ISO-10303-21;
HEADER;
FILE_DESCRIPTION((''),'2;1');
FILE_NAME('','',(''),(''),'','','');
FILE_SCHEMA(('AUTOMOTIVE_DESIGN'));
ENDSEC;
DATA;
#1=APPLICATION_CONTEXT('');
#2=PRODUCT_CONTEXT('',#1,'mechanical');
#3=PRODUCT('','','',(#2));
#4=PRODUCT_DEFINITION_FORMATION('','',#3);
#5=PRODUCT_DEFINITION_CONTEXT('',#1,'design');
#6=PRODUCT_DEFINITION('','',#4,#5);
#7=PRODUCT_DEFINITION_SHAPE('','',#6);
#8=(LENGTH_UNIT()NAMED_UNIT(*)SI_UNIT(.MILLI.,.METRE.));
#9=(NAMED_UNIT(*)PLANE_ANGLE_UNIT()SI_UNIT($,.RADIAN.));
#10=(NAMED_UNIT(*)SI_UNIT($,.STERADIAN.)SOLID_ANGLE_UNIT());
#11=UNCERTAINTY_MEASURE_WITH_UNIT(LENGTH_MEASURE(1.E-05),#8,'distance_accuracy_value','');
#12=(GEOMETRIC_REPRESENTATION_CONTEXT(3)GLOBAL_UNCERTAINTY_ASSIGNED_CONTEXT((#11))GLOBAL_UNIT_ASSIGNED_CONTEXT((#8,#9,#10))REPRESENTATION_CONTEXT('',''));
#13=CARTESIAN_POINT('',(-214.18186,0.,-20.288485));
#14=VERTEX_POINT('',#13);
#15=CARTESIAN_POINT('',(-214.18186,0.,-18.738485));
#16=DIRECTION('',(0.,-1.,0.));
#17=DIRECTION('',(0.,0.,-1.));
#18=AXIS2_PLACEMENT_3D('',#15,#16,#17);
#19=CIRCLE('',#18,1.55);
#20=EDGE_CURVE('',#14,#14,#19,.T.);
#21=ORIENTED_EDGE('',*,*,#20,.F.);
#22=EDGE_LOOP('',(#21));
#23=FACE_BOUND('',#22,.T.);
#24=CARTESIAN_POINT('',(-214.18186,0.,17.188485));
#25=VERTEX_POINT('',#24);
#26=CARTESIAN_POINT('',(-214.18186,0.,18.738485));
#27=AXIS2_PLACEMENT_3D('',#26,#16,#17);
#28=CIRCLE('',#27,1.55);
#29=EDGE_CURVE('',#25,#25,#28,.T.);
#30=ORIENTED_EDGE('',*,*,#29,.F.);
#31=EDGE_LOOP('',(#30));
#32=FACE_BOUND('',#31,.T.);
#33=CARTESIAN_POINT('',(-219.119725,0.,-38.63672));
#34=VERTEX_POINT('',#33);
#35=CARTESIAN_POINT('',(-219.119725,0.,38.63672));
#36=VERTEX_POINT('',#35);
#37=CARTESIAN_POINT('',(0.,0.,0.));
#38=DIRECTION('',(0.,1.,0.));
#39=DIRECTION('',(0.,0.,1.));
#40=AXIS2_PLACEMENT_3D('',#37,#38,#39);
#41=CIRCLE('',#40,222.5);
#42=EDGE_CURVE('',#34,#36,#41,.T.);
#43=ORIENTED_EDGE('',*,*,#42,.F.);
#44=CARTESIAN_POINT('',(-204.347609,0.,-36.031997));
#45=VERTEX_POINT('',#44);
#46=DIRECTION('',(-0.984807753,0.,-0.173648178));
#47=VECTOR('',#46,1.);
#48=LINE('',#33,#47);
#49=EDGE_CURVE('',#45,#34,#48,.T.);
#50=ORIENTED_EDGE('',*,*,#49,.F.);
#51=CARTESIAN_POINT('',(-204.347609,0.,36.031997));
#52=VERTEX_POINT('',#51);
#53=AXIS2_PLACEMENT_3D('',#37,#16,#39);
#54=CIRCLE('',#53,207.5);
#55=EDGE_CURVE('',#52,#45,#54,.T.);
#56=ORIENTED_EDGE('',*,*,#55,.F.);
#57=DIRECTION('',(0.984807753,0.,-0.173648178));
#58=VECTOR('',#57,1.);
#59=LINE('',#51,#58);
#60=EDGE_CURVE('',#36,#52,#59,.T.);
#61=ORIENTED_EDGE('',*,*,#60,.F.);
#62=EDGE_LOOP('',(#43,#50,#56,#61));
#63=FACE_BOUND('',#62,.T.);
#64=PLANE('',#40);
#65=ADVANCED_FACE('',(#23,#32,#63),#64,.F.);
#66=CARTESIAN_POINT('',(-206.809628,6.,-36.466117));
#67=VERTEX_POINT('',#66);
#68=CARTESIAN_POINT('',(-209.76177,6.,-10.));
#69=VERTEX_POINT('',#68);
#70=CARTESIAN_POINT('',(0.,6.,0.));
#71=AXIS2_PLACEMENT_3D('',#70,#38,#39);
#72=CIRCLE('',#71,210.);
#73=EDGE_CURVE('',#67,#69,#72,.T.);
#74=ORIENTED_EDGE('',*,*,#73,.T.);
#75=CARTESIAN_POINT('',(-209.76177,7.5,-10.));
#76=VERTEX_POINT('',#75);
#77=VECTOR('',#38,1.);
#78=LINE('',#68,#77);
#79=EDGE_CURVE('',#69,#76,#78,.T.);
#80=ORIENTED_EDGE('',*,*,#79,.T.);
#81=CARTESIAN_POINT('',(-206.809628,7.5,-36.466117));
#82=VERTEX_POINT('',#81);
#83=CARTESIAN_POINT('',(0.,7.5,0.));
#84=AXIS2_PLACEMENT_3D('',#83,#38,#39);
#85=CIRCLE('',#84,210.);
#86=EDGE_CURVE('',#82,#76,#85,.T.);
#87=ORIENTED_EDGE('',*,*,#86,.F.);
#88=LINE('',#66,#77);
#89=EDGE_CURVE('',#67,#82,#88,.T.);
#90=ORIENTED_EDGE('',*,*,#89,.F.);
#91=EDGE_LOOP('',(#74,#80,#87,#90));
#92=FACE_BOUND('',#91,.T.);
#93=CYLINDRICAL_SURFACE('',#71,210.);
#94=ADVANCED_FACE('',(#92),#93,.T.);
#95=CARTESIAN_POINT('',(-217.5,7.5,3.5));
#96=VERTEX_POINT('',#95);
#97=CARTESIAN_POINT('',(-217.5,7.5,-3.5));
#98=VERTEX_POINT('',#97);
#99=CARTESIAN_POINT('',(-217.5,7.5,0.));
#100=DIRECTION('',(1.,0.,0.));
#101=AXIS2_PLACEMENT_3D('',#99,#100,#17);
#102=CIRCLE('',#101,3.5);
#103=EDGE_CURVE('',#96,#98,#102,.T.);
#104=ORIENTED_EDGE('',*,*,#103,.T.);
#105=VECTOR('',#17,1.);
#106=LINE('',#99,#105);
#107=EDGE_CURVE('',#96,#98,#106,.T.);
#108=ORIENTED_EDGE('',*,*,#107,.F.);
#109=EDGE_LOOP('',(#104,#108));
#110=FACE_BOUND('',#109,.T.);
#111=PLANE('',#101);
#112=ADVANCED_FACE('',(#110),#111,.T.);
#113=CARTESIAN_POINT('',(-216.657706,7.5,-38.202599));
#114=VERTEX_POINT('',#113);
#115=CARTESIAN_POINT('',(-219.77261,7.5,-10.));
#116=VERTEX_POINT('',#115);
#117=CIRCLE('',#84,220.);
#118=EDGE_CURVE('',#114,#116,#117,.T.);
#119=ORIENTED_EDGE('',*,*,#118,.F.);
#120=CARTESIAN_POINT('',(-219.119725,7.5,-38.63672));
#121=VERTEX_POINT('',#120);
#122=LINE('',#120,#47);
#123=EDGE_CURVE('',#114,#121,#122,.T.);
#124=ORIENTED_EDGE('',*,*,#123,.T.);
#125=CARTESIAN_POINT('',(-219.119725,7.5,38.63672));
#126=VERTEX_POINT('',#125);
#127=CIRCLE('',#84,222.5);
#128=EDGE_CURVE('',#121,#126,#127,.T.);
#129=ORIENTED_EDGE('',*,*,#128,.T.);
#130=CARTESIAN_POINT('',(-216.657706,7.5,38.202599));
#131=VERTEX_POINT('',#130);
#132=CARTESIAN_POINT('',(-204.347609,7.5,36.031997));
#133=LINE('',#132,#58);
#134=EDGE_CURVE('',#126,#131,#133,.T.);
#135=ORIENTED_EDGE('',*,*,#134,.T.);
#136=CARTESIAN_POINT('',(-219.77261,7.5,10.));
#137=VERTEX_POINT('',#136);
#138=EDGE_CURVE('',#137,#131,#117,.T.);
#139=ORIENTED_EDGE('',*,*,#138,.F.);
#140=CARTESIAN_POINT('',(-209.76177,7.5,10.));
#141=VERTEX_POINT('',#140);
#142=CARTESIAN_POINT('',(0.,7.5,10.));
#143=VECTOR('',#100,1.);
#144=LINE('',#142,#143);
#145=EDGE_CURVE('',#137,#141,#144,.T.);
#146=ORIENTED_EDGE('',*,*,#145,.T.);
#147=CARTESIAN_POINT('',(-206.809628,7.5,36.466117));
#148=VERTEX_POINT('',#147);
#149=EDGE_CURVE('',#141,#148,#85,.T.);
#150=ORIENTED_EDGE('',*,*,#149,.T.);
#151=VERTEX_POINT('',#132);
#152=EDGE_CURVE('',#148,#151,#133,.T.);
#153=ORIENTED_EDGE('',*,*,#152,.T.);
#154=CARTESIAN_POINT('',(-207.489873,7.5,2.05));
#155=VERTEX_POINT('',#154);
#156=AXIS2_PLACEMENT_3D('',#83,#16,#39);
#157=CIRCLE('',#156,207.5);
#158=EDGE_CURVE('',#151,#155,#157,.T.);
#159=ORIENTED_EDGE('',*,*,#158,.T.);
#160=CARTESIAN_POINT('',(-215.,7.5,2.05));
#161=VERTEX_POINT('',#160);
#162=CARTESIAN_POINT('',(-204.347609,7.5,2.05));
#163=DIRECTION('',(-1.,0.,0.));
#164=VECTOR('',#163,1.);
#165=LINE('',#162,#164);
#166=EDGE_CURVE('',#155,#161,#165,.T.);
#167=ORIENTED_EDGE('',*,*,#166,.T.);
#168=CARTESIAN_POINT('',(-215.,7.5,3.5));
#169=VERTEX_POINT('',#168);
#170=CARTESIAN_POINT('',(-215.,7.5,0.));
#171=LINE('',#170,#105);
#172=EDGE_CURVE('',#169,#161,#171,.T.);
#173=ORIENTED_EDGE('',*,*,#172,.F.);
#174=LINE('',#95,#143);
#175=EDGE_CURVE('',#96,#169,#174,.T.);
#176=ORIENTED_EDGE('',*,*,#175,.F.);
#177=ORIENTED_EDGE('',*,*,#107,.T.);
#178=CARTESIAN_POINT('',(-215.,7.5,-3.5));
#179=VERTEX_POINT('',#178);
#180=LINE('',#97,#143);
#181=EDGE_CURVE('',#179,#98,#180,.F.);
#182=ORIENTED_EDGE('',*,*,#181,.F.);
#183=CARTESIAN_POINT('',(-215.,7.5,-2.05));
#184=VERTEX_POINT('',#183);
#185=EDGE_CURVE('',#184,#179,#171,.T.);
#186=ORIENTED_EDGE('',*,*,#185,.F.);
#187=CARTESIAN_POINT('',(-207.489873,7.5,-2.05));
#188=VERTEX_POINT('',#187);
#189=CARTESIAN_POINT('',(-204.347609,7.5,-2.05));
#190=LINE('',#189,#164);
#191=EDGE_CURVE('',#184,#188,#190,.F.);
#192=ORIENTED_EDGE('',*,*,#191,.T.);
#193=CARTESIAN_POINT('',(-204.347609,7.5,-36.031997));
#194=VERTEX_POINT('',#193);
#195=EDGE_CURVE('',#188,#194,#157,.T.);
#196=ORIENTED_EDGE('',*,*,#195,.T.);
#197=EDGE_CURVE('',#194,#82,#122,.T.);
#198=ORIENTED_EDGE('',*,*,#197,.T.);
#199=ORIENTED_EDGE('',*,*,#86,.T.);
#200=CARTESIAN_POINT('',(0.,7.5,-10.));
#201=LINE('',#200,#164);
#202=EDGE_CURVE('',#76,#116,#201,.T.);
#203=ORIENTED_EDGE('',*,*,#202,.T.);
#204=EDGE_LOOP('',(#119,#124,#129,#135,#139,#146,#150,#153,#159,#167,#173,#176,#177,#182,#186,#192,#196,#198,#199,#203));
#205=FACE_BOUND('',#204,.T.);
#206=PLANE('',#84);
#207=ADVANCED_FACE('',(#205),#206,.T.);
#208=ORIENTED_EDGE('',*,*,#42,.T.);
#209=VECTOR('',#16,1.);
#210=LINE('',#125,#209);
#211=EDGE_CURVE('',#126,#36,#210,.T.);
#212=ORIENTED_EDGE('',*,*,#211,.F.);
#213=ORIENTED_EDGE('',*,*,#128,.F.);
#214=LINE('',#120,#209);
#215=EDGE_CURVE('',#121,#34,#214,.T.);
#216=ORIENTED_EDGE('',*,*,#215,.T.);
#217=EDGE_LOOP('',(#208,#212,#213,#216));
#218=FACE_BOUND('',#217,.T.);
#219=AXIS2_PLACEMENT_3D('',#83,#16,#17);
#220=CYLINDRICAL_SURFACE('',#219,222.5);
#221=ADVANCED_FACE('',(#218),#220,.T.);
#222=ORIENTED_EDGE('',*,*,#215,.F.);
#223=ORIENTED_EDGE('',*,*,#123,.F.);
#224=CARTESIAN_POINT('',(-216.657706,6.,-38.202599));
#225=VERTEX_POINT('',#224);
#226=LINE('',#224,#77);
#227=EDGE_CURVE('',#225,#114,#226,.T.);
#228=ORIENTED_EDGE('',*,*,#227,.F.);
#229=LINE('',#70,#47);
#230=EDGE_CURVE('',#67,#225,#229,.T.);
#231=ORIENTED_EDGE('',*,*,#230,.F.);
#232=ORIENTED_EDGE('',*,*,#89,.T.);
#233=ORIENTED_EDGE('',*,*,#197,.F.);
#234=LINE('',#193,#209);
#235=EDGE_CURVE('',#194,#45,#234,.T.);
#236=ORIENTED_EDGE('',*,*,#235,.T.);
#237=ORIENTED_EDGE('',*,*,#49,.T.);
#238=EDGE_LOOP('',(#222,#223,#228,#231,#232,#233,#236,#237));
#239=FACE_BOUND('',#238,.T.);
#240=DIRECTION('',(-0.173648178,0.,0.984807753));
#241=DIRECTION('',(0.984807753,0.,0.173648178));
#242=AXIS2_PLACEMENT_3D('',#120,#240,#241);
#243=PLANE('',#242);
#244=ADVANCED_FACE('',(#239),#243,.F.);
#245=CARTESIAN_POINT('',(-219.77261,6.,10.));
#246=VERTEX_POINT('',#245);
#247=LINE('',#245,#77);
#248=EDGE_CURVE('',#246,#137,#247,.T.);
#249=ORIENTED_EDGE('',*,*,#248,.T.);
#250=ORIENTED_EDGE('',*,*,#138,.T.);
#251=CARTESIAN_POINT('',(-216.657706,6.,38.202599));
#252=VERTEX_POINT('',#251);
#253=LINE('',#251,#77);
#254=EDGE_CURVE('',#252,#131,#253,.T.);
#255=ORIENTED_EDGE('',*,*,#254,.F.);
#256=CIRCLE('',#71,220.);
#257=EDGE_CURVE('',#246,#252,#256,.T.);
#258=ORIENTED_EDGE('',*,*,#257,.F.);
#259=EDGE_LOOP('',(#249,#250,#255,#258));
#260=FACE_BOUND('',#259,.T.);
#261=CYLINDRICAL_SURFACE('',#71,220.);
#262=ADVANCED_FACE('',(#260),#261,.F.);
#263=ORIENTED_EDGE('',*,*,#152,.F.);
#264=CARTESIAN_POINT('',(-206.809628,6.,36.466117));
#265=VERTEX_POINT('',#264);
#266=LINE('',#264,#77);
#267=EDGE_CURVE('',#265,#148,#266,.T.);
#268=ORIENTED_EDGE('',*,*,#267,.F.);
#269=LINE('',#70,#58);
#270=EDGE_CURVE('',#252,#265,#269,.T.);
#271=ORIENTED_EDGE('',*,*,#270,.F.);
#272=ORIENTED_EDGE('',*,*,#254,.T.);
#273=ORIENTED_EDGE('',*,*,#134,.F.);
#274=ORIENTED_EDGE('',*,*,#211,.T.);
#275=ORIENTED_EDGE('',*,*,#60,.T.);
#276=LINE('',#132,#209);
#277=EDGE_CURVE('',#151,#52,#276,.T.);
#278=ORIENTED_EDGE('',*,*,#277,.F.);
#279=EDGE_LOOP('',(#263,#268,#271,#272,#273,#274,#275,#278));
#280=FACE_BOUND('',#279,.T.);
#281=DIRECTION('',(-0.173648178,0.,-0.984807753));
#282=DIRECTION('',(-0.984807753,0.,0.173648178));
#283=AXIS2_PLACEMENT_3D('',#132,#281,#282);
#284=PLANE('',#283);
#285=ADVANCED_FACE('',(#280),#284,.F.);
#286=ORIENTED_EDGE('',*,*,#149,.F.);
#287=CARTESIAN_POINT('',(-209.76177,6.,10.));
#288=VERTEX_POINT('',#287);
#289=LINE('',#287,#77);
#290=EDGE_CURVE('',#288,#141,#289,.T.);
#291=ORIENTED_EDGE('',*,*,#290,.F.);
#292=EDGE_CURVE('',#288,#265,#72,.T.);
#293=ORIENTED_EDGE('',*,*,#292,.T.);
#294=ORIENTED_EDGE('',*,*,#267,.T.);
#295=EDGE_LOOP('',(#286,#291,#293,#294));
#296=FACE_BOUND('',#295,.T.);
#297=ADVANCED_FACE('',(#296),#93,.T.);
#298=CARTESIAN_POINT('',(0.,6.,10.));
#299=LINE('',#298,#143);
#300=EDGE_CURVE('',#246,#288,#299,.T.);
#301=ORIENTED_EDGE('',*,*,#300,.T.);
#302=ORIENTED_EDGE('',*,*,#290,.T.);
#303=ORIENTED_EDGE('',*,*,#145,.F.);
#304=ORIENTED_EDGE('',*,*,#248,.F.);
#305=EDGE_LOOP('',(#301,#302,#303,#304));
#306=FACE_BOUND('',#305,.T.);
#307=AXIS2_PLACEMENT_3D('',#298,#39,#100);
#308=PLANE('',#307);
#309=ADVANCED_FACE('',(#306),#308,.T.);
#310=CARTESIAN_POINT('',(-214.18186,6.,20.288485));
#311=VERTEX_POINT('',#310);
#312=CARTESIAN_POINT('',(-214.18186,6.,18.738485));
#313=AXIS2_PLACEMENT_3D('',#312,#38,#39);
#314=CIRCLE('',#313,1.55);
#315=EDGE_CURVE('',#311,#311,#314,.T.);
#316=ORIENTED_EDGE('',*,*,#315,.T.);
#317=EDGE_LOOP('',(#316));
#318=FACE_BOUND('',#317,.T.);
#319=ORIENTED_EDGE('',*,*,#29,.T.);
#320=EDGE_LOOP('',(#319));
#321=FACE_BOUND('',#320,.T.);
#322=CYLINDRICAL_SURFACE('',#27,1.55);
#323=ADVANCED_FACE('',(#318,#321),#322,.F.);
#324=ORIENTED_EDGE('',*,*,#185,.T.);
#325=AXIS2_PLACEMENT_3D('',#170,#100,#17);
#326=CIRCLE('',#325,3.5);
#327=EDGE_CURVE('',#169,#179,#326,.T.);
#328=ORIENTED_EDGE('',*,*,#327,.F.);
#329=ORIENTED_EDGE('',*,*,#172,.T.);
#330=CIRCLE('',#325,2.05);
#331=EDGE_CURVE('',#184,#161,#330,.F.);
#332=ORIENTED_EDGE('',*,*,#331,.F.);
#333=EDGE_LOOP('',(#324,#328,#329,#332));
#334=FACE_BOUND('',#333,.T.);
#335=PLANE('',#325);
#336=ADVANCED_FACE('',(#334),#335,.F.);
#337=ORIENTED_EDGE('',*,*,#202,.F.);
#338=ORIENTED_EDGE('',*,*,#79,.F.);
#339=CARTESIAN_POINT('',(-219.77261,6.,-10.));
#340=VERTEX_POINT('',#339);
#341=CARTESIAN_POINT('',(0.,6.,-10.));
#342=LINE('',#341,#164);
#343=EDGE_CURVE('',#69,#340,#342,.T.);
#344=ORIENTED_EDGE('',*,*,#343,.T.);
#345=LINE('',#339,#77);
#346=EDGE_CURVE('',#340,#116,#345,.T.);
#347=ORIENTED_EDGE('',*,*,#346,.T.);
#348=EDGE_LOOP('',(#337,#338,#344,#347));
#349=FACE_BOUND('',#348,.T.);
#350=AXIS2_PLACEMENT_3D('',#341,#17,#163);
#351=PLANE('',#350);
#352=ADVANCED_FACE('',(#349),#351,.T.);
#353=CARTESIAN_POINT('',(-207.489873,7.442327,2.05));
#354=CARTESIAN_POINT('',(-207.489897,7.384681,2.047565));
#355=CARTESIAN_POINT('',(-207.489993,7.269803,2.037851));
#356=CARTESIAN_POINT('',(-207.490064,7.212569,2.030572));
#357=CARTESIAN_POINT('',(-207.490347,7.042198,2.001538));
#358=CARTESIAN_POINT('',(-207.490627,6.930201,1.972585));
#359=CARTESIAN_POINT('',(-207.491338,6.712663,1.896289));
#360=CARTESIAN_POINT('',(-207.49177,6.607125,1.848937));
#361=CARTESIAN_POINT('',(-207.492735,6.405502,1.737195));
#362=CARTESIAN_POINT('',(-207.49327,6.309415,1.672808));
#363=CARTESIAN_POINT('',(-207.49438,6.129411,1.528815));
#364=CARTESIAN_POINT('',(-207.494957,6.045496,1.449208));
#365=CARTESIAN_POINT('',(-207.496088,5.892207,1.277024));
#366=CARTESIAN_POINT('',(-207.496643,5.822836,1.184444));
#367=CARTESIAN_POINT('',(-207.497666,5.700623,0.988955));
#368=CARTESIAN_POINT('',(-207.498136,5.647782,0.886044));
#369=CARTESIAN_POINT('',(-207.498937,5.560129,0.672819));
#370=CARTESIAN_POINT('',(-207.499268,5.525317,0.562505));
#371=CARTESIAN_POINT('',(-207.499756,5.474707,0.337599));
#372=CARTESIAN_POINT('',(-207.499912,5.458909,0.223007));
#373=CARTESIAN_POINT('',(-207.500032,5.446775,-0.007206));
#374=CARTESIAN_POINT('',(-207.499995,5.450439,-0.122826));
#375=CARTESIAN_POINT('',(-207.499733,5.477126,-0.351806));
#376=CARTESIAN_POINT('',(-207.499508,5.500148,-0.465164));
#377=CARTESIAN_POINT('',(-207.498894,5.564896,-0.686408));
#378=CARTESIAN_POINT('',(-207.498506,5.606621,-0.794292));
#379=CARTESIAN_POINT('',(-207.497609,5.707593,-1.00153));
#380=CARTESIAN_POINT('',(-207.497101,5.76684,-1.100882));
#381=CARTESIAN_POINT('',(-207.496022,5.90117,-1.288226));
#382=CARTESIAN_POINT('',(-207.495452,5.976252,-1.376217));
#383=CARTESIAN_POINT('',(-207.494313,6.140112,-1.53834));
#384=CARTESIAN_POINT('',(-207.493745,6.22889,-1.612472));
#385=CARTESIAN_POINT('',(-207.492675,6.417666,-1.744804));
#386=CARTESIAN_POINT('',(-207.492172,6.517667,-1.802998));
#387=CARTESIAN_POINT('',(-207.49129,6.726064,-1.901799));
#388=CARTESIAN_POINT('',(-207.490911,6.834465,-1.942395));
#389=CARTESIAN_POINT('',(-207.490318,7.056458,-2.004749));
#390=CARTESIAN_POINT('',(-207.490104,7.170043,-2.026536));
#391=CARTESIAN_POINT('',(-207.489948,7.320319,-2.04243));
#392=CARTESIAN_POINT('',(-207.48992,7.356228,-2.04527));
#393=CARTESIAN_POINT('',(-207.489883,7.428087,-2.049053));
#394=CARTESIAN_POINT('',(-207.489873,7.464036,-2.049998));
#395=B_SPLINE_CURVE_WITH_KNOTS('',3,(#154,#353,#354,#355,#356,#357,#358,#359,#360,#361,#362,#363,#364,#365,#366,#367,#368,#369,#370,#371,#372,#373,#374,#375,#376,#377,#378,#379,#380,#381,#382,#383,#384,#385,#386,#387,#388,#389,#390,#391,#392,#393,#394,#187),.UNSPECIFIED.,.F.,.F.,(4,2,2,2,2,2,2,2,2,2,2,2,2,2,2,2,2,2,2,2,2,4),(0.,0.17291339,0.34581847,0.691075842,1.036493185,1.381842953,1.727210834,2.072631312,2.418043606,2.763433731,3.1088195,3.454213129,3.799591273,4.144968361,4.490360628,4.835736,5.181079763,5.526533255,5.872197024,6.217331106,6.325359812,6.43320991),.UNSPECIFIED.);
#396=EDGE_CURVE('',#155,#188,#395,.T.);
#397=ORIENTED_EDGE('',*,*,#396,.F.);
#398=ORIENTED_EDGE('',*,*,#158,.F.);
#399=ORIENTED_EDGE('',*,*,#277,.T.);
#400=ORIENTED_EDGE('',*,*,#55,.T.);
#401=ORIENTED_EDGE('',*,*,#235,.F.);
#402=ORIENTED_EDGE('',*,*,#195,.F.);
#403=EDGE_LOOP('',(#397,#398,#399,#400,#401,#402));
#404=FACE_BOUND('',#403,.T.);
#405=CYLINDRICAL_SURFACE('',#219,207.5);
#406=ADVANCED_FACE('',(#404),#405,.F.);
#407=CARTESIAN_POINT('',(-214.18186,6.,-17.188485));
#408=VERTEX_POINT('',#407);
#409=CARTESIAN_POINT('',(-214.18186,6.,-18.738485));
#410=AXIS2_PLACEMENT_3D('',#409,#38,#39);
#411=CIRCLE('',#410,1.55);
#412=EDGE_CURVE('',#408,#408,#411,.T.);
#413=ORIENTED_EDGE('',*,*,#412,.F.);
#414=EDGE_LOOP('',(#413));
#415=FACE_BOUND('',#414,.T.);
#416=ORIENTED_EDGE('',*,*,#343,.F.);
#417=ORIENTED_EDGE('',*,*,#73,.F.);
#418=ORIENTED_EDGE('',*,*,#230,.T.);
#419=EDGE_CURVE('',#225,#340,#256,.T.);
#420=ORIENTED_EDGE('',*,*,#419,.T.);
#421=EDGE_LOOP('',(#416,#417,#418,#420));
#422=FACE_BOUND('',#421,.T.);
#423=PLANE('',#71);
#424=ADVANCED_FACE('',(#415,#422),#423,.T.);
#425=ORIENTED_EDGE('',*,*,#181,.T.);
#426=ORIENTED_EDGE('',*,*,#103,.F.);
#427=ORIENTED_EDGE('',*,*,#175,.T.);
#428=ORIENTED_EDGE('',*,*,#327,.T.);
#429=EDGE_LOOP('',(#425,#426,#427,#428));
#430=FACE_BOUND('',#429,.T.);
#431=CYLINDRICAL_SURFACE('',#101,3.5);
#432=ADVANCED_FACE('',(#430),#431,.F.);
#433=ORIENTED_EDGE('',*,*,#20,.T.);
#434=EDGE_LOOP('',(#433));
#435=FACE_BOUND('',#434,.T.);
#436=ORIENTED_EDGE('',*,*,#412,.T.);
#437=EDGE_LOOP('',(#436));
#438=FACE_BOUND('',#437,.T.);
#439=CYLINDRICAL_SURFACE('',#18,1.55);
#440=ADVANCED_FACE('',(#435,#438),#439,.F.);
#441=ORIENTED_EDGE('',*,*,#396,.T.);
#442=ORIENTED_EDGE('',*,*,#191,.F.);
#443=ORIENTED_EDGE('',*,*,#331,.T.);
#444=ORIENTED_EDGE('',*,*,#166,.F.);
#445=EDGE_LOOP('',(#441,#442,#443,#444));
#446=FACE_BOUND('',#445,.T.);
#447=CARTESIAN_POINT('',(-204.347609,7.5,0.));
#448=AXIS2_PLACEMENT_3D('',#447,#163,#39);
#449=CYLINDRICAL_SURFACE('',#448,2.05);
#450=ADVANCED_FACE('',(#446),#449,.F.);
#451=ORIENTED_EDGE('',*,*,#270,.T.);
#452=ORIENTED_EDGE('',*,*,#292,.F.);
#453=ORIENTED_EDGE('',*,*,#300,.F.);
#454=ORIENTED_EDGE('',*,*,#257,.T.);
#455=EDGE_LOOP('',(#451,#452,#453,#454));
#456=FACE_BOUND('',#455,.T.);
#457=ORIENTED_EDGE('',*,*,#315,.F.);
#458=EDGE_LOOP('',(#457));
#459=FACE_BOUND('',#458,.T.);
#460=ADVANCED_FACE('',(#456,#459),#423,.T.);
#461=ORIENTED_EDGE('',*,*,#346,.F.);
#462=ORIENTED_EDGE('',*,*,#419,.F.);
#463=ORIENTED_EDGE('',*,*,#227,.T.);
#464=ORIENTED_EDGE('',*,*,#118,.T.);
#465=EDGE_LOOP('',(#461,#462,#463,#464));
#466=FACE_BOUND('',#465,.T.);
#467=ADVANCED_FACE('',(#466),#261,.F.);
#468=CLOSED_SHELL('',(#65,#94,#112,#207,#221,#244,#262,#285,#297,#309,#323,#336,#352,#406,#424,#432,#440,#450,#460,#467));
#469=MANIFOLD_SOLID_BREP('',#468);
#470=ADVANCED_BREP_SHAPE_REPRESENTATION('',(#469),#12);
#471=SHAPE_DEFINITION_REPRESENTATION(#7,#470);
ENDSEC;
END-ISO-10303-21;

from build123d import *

# Parameters (mm, degrees)
BOSS_EXTRUDE1_DEPTH        = 7.5
CUT_EXTRUDE1_DEPTH         = 1.5
SKETCH4_R                  = 3.5
CUT_EXTRUDE3_DEPTH         = 2.5
SKETCH5_R                  = 2.05
CUT_EXTRUDE4_DEPTH         = 41.774005634
F_3_1_3_1_DIAMETER_HOLE1_D = 3.1


with BuildPart() as part:
    # Sketch1 → Boss-Extrude1 (new body)
    with BuildSketch(Plane(origin=(0, 0, 0), x_dir=(1, 0, 0), z_dir=(0, 1, 0))):
        with BuildLine():
            Line((-219.119725045, 38.636719531), (-204.34760875, 36.031996866))
            ThreePointArc((-204.34760875, 36.031996866), (-207.5, 0), (-204.34760875, -36.031996866))
            Line((-204.34760875, -36.031996866), (-219.119725045, -38.636719531))
            ThreePointArc((-219.119725045, -38.636719531), (-222.5, 0), (-219.119725045, 38.636719531))
        make_face()
    extrude(amount=BOSS_EXTRUDE1_DEPTH)

    # Sketch2 → Cut-Extrude1 (cut)
    with BuildSketch(Plane(origin=(0, 7.5, 0), x_dir=(1, 0, 0), z_dir=(0, 1, 0))):
        with BuildLine():
            Line((-206.809628133, 36.46611731), (-216.657705663, 38.202599087))
            ThreePointArc((-216.657705663, 38.202599087), (-218.670303662, 24.151569236), (-219.772609758, 10))
            Line((-219.772609758, 10), (-209.761769634, 10))
            ThreePointArc((-209.761769634, 10), (-208.70564487, 23.279901188), (-206.809628133, 36.46611731))
        make_face()
        with BuildLine():
            Line((-209.761769634, -10), (-219.772609758, -10))
            ThreePointArc((-219.772609758, -10), (-218.670303662, -24.151569236), (-216.657705663, -38.202599087))
            Line((-216.657705663, -38.202599087), (-206.809628133, -36.46611731))
            ThreePointArc((-206.809628133, -36.46611731), (-208.70564487, -23.279901188), (-209.761769634, -10))
        make_face()
    extrude(amount=-CUT_EXTRUDE1_DEPTH, mode=Mode.SUBTRACT)

    # Sketch4 → Cut-Extrude3 (cut)
    with BuildSketch(Plane(origin=(-215, 0, 0), x_dir=(0, 0, -1), z_dir=(1, 0, 0))):
        with Locations((0, 7.5)):
            Circle(SKETCH4_R)
    extrude(amount=-CUT_EXTRUDE3_DEPTH, mode=Mode.SUBTRACT)

    # Sketch5 → Cut-Extrude4 (cut, through all)
    with BuildSketch(Plane(origin=(-215, 0, 0), x_dir=(0, 0, -1), z_dir=(1, 0, 0))):
        with Locations((0, 7.5)):
            Circle(SKETCH5_R)
    extrude(amount=CUT_EXTRUDE4_DEPTH, mode=Mode.SUBTRACT)

    # Ø3.1 (3.1) Diameter Hole1 (through all)
    with Locations(Plane(origin=(0, 0, 0), x_dir=(-1, 0, 0), z_dir=(0, -1, 0))):
        with Locations((214.18186009, -18.738484691), (214.18186009, 18.738484691)):
            Hole(F_3_1_3_1_DIAMETER_HOLE1_D / 2)


solid = part.part
